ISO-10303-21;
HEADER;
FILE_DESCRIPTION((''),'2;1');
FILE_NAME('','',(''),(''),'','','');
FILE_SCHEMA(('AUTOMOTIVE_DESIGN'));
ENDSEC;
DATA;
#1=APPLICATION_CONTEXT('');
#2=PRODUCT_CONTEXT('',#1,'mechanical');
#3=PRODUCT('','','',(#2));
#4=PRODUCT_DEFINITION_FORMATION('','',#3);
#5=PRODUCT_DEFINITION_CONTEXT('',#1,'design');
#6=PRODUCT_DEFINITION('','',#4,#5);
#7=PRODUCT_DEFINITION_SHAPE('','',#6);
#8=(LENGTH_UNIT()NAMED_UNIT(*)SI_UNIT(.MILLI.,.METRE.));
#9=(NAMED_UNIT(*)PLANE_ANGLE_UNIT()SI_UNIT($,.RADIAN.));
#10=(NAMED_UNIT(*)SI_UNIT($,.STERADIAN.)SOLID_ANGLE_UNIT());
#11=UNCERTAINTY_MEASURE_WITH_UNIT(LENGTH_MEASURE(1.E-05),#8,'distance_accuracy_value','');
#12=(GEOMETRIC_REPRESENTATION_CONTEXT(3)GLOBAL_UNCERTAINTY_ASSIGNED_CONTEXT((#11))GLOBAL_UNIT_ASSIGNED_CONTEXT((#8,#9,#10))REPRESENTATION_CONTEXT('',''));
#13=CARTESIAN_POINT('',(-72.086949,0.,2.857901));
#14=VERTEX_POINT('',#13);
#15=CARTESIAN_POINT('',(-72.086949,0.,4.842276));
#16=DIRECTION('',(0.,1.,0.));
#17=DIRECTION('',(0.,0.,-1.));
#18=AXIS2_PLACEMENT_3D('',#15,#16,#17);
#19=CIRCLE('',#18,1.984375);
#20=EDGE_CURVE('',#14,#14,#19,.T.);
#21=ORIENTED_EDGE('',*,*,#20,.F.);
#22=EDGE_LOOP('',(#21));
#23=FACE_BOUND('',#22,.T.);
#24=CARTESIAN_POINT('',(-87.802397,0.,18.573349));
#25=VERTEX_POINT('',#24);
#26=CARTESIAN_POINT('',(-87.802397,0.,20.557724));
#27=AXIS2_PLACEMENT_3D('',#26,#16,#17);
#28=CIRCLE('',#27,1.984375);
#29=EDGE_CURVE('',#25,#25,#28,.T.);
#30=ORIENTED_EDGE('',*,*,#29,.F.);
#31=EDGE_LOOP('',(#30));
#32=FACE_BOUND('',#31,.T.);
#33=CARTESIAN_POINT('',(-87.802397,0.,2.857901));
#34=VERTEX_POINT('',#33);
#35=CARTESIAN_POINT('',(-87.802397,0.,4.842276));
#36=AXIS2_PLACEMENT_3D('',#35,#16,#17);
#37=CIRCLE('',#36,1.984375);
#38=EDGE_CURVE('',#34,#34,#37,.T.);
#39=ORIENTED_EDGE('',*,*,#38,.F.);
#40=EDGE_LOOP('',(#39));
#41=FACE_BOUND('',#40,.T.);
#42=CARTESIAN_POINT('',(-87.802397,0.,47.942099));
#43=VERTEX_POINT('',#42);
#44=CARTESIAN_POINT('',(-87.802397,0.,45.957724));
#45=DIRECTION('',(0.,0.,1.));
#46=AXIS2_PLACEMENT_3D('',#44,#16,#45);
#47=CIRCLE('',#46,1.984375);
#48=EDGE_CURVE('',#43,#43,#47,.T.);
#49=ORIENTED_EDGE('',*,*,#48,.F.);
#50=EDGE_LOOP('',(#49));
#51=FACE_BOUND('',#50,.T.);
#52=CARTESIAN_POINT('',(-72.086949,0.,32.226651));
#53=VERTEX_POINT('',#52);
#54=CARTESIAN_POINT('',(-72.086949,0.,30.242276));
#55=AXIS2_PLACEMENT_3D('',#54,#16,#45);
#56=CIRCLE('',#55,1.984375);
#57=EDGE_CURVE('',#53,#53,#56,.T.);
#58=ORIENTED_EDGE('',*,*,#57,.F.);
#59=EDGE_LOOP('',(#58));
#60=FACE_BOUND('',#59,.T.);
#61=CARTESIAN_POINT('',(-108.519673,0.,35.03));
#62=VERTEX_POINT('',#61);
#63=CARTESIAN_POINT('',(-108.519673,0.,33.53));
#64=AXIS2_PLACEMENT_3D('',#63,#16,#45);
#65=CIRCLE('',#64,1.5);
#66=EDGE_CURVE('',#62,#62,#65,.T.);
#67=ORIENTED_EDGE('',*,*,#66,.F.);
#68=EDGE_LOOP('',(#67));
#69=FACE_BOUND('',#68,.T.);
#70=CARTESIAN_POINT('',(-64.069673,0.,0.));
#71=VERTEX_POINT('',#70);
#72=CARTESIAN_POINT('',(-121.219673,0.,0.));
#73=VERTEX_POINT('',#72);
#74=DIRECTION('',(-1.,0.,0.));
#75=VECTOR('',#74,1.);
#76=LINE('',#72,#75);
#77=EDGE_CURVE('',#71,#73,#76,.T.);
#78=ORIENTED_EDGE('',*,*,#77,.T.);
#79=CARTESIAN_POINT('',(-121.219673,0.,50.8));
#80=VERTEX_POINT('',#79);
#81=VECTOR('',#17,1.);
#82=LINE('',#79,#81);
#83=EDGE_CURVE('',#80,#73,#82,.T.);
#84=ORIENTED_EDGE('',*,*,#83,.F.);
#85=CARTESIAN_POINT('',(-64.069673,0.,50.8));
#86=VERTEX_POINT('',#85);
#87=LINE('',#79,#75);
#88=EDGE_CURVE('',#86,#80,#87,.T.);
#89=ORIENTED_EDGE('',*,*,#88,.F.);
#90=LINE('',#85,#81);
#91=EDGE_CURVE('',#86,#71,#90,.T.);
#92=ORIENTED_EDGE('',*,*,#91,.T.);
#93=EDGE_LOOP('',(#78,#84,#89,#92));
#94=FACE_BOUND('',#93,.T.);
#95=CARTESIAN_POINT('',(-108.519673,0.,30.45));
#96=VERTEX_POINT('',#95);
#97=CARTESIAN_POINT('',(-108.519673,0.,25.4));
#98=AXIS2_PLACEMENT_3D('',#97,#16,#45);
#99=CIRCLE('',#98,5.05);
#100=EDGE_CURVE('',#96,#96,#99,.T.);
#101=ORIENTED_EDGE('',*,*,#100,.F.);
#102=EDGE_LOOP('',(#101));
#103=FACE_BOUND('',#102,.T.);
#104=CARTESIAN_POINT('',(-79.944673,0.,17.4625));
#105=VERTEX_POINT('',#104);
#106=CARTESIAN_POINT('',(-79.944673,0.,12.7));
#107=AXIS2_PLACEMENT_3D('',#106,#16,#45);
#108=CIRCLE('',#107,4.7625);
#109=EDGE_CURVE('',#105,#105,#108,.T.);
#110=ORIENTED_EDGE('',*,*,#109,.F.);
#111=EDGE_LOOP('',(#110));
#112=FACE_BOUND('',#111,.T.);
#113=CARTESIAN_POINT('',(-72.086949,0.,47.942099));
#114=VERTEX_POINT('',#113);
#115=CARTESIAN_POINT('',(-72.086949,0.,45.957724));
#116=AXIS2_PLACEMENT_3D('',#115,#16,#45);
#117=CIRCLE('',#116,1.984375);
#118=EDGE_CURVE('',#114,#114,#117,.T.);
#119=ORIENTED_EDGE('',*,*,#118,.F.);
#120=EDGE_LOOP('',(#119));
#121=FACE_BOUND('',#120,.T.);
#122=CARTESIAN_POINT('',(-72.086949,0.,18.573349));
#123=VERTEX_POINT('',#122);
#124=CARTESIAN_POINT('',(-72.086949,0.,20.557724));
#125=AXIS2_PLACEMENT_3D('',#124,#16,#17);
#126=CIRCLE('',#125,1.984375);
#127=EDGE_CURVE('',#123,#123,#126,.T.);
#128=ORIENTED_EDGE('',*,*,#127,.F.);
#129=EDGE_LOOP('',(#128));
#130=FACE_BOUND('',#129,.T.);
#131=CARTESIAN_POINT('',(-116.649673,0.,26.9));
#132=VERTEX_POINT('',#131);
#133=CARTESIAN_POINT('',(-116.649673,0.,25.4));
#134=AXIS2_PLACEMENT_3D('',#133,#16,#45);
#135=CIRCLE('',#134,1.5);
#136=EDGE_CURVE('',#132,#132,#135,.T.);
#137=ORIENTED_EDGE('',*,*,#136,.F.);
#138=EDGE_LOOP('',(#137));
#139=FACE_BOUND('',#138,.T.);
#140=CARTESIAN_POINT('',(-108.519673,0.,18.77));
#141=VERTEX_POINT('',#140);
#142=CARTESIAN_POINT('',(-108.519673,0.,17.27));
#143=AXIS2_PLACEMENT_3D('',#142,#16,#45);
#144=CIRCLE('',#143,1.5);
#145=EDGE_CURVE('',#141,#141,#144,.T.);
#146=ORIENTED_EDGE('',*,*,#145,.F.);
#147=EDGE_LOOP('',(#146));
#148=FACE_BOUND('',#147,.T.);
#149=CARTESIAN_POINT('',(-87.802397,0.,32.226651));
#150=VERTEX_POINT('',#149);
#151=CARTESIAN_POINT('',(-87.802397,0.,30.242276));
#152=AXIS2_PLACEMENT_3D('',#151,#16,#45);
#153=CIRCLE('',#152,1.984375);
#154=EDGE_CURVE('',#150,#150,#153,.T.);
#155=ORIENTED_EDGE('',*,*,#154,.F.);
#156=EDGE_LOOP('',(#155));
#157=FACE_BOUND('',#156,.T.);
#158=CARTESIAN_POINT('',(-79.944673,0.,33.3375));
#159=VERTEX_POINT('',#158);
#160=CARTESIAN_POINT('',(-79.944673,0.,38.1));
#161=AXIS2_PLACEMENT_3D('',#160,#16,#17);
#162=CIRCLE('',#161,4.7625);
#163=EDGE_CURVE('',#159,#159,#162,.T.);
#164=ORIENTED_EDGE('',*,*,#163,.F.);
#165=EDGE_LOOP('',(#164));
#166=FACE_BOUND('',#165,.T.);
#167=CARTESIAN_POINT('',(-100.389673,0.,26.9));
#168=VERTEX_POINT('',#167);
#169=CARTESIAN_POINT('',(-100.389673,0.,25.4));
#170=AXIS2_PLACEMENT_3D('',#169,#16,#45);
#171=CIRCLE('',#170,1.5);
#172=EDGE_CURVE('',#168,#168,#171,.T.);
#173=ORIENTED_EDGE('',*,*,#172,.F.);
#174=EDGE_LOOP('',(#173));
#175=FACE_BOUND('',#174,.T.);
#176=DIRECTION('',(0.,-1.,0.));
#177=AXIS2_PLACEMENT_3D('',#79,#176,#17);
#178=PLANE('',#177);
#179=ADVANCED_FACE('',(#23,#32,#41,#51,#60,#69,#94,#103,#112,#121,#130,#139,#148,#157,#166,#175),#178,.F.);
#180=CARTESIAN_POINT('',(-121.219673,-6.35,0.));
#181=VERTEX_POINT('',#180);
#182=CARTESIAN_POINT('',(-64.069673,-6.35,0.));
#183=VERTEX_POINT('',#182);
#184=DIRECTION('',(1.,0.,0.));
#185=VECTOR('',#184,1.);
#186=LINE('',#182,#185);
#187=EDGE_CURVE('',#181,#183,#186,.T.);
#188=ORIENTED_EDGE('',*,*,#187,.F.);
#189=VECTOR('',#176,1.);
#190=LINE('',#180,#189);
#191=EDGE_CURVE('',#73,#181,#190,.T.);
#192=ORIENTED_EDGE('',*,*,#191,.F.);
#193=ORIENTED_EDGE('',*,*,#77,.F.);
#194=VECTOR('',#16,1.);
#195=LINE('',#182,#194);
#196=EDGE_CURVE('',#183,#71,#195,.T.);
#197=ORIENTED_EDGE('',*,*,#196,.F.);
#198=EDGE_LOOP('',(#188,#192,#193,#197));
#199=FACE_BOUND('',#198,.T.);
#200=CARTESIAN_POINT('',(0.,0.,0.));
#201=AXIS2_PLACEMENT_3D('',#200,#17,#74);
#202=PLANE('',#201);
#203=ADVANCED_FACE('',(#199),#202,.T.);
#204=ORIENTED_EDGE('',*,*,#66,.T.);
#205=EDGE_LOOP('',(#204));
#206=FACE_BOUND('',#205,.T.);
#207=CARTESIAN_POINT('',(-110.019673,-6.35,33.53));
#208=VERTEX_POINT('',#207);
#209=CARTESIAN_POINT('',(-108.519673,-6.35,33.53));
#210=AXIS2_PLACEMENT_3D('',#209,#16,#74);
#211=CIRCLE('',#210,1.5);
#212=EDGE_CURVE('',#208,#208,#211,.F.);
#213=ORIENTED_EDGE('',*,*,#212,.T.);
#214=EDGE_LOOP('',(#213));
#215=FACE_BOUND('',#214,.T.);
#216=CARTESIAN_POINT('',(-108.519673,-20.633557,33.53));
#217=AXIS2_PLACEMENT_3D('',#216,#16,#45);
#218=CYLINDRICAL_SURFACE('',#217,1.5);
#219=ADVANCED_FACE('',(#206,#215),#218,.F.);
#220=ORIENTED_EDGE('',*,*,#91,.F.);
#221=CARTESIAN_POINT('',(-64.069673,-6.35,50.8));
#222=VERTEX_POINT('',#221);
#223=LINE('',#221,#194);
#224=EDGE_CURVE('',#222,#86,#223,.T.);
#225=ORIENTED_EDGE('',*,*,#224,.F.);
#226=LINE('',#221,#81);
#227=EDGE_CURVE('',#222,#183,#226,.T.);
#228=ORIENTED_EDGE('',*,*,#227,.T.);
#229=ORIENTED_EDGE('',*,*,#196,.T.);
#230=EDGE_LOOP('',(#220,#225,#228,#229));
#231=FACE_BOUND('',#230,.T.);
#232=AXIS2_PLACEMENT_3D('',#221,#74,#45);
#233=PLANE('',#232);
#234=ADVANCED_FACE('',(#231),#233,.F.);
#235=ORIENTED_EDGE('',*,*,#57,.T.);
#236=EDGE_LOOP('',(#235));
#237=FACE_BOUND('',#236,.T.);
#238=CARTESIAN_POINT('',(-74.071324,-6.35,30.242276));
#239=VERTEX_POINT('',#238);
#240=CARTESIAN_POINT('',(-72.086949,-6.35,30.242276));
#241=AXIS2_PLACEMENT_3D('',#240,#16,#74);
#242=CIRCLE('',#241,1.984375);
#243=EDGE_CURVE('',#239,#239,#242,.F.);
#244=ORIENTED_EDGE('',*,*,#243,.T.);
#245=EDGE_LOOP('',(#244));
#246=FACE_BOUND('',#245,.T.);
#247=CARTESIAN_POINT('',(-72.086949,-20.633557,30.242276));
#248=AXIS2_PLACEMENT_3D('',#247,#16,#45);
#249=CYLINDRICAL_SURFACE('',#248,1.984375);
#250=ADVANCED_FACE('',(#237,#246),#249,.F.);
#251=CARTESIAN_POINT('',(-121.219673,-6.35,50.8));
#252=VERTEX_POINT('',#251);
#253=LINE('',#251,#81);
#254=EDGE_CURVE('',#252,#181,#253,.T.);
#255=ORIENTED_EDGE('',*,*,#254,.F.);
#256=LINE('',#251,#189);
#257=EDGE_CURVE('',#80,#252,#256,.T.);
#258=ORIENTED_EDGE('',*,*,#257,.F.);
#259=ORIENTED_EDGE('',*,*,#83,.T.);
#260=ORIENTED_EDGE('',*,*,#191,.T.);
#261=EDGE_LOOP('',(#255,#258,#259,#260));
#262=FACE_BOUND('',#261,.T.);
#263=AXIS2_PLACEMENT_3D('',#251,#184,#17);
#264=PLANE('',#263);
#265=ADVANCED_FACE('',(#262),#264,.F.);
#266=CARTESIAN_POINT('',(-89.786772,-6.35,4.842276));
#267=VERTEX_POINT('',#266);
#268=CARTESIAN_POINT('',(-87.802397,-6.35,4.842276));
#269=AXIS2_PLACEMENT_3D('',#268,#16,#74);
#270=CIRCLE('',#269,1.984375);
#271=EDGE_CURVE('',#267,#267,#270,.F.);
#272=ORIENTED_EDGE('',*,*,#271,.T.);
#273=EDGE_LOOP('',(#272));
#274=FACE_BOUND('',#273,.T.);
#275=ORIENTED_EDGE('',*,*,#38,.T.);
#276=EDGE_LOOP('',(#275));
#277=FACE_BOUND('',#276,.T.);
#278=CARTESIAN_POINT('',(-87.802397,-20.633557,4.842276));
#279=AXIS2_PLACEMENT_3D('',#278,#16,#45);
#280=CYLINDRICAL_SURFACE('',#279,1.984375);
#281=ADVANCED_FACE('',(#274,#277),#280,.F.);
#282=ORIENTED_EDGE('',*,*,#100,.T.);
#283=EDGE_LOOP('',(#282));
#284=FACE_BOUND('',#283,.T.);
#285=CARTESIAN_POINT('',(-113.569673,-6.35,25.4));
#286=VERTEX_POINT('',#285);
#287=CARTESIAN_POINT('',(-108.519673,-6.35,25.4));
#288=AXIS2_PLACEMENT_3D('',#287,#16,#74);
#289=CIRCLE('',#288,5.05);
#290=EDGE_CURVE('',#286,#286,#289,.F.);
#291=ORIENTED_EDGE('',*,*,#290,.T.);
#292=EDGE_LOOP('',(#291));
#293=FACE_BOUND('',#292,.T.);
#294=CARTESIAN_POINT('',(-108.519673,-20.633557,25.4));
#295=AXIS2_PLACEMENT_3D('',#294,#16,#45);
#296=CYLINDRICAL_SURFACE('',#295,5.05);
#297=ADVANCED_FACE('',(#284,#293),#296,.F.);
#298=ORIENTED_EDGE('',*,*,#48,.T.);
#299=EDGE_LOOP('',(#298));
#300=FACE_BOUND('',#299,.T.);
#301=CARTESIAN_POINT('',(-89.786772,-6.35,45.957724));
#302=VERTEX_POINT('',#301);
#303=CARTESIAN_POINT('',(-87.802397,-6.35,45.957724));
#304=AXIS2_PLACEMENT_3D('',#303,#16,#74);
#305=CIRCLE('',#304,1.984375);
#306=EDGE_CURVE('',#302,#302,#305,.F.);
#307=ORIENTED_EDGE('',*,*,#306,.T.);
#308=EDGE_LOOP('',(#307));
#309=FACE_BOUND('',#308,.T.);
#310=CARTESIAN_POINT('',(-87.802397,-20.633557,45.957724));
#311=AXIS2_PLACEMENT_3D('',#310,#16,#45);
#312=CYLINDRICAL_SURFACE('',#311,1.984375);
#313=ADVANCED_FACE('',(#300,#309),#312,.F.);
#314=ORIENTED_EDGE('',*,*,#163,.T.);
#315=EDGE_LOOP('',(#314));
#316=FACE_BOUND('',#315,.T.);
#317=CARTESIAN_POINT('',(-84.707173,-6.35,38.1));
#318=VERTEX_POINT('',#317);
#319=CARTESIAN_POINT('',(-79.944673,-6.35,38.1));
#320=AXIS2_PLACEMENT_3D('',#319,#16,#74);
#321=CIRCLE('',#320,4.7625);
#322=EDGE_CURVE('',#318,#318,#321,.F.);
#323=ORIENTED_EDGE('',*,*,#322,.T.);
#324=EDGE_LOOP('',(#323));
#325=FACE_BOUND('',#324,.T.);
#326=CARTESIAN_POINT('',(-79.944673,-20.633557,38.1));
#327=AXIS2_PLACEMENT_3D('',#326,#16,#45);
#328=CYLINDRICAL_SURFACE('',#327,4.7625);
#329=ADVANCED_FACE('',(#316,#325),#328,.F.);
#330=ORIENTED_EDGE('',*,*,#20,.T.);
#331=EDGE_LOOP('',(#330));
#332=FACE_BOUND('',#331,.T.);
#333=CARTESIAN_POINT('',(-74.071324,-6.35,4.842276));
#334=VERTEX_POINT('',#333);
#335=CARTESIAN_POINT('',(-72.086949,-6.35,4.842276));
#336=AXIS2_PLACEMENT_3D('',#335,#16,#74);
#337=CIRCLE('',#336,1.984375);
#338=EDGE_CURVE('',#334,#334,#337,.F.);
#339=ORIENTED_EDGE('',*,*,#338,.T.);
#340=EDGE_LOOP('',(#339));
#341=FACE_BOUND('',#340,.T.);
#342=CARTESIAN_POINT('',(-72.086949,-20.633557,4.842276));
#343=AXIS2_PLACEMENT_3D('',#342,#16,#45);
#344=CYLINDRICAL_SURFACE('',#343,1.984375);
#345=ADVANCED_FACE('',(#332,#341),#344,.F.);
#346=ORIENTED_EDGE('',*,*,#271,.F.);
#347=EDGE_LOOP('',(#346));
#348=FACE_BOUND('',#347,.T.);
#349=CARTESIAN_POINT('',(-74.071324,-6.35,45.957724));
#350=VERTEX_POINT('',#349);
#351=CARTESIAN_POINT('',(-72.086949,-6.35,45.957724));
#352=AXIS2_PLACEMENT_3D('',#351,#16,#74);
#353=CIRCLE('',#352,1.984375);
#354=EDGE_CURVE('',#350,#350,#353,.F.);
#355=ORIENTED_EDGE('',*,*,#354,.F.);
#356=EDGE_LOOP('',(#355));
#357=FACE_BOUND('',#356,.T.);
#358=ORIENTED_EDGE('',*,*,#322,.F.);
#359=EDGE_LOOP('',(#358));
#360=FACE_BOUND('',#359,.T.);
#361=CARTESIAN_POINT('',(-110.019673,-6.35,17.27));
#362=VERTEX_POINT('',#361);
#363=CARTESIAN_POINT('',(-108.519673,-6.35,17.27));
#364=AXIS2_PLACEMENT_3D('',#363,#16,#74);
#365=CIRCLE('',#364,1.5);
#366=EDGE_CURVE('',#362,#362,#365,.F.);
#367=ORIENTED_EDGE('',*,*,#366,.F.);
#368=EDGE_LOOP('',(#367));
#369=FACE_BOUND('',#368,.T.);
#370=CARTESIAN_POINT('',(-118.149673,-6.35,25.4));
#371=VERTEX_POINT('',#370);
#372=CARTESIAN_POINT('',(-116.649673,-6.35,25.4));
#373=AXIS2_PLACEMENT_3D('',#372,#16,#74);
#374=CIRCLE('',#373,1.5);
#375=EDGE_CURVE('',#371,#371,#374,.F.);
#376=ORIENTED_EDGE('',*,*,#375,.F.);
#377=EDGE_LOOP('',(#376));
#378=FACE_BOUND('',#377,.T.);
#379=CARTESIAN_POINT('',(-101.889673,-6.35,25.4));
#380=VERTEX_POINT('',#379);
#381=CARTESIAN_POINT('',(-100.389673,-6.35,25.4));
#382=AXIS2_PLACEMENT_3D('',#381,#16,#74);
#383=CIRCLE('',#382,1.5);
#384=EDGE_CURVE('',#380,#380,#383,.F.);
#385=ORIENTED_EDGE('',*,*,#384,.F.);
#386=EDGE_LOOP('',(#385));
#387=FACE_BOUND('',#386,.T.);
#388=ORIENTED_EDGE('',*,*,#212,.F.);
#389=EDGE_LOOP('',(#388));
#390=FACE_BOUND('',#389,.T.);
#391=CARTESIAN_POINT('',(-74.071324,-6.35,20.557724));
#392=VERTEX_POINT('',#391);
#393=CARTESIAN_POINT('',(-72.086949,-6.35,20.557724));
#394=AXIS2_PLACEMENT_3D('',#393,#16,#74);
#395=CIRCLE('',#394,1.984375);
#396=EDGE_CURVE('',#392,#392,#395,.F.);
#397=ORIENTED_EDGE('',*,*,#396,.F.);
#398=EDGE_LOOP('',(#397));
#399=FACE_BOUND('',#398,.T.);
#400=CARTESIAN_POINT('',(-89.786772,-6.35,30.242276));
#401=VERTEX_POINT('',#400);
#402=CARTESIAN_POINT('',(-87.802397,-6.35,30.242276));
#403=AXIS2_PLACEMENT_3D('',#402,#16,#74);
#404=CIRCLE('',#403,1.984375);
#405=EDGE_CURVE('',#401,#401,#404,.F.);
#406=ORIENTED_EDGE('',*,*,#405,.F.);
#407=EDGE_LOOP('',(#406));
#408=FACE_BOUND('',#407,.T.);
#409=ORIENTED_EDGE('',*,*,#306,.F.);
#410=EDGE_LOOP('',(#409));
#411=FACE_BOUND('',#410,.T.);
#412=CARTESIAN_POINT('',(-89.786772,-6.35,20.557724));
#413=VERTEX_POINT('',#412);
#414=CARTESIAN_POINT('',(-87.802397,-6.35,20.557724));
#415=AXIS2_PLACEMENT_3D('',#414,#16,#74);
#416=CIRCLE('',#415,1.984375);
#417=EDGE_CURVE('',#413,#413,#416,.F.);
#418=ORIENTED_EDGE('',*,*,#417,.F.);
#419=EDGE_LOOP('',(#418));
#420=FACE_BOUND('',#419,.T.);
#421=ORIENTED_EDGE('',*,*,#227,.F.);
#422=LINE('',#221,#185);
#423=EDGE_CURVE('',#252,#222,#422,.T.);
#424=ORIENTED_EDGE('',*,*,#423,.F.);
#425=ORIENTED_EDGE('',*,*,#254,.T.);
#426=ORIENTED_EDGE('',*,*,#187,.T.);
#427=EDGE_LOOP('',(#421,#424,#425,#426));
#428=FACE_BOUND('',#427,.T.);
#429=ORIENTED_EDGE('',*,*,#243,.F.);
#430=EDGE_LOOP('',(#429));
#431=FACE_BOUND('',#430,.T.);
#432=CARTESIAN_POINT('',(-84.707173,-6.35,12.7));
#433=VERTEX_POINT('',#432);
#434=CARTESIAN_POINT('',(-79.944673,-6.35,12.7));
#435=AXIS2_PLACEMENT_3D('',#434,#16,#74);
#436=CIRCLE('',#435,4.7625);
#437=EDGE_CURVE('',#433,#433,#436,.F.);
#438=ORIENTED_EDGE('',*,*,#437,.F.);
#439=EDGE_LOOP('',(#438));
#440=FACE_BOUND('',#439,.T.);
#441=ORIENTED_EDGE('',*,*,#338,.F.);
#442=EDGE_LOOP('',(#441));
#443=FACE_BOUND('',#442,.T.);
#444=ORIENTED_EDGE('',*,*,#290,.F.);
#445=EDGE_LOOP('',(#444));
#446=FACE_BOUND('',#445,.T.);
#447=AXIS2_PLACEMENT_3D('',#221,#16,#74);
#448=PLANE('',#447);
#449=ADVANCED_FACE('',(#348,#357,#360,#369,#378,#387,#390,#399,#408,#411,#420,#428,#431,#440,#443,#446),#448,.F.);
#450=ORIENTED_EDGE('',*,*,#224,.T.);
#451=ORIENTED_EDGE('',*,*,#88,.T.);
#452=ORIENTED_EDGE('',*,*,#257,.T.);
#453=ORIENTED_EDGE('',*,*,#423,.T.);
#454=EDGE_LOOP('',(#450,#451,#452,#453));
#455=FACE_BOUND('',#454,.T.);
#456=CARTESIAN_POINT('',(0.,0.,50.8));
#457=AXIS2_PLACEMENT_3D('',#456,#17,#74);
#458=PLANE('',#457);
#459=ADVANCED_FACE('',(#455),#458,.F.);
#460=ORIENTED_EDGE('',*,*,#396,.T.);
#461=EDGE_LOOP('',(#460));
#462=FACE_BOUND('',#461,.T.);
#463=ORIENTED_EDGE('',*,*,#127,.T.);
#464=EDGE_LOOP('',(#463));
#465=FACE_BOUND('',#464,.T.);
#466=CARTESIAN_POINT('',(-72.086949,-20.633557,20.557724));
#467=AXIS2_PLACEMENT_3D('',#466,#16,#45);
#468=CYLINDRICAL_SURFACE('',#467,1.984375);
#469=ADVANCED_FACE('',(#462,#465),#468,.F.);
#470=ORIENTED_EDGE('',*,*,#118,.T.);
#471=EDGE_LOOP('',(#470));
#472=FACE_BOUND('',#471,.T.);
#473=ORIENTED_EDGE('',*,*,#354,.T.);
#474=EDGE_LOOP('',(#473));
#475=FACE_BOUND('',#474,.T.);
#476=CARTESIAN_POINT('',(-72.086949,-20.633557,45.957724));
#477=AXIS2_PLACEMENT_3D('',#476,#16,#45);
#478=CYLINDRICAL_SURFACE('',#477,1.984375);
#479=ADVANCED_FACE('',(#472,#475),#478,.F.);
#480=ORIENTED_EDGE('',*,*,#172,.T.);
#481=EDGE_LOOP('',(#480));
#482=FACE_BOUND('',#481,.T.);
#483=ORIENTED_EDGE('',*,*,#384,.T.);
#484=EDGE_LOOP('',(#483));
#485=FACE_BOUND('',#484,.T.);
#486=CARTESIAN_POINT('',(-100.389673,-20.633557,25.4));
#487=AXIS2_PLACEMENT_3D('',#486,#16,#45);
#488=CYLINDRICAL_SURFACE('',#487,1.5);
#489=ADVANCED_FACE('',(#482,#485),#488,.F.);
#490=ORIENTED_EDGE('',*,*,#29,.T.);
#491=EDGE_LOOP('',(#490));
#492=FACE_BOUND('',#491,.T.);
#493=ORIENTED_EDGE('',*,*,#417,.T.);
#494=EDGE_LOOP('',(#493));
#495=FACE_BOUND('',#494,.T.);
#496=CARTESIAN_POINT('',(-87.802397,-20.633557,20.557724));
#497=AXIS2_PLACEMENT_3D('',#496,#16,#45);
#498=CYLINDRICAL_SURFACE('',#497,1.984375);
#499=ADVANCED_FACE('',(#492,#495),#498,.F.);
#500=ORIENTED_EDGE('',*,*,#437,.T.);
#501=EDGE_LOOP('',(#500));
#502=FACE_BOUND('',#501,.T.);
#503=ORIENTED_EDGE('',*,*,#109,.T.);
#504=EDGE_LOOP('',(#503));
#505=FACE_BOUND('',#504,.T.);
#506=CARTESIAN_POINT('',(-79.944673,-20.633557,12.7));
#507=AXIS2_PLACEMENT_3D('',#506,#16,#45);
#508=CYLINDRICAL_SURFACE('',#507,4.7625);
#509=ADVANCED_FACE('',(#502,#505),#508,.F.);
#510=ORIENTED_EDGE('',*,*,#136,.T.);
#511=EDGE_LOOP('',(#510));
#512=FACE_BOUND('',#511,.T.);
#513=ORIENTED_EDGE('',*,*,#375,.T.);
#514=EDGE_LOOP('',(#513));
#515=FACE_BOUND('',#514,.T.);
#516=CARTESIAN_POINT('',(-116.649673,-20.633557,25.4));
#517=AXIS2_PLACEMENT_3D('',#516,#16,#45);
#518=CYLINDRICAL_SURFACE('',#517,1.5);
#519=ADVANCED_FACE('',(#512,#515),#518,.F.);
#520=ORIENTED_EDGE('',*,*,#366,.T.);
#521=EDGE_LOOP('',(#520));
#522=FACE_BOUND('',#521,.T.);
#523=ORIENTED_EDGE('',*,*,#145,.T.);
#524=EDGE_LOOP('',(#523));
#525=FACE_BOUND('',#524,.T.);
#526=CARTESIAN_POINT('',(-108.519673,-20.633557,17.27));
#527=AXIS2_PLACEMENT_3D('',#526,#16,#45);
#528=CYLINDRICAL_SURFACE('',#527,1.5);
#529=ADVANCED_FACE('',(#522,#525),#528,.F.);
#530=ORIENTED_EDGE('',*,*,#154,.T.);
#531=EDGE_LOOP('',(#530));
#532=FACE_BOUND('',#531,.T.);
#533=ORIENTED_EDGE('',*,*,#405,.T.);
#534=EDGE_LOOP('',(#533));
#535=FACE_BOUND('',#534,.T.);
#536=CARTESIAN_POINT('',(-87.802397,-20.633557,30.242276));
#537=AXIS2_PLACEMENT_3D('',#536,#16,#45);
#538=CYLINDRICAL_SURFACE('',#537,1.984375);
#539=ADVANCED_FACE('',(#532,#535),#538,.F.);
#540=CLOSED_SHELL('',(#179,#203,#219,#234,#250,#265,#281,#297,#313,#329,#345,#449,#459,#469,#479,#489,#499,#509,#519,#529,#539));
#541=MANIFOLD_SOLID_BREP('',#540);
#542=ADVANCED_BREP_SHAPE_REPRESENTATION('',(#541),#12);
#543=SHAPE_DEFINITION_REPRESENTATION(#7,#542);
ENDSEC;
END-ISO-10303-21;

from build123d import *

# Parameters (mm, degrees)
SKETCH3_W           = 57.15
SKETCH3_H           = 6.35
BOSS_EXTRUDE2_DEPTH = 50.8
SKETCH4_R           = 5.05
SKETCH4_R_2         = 4.7625
SKETCH4_R_3         = 1.5
SKETCH4_R_4         = 1.984375
CUT_EXTRUDE1_DEPTH  = 6.35


with BuildPart() as part:
    # Sketch3 → Boss-Extrude2 (new body)
    with BuildSketch(Plane.XY):
        with Locations((-92.644673345, -3.175)):
            Rectangle(SKETCH3_W, SKETCH3_H)
    extrude(amount=BOSS_EXTRUDE2_DEPTH)

    # Sketch4 → Cut-Extrude1 (cut)
    with BuildSketch(Plane(origin=(0, 0, 0), x_dir=(1, 0, 0), z_dir=(0, 1, 0))):
        with Locations((-108.519673345, -25.4)):
            Circle(SKETCH4_R)
        with Locations((-79.944673345, -38.1)):
            Circle(SKETCH4_R_2)
        with Locations((-108.519673345, -17.27)):
            Circle(SKETCH4_R_3)
        with Locations((-87.802397451, -30.242275894)):
            Circle(SKETCH4_R_4)
        with Locations((-72.086949239, -30.242275894)):
            Circle(SKETCH4_R_4)
        with Locations((-72.086949239, -45.957724106)):
            Circle(SKETCH4_R_4)
        with Locations((-87.802397451, -45.957724106)):
            Circle(SKETCH4_R_4)
        with Locations((-116.649673345, -25.4)):
            Circle(SKETCH4_R_3)
        with Locations((-100.389673345, -25.4)):
            Circle(SKETCH4_R_3)
        with Locations((-108.519673345, -33.53)):
            Circle(SKETCH4_R_3)
        with Locations((-87.802397451, -4.842275894)):
            Circle(SKETCH4_R_4)
        with Locations((-72.086949239, -4.842275894)):
            Circle(SKETCH4_R_4)
        with Locations((-72.086949239, -20.557724106)):
            Circle(SKETCH4_R_4)
        with Locations((-87.802397451, -20.557724106)):
            Circle(SKETCH4_R_4)
        with Locations((-79.944673345, -12.7)):
            Circle(SKETCH4_R_2)
    extrude(amount=-CUT_EXTRUDE1_DEPTH, mode=Mode.SUBTRACT)


solid = part.part
